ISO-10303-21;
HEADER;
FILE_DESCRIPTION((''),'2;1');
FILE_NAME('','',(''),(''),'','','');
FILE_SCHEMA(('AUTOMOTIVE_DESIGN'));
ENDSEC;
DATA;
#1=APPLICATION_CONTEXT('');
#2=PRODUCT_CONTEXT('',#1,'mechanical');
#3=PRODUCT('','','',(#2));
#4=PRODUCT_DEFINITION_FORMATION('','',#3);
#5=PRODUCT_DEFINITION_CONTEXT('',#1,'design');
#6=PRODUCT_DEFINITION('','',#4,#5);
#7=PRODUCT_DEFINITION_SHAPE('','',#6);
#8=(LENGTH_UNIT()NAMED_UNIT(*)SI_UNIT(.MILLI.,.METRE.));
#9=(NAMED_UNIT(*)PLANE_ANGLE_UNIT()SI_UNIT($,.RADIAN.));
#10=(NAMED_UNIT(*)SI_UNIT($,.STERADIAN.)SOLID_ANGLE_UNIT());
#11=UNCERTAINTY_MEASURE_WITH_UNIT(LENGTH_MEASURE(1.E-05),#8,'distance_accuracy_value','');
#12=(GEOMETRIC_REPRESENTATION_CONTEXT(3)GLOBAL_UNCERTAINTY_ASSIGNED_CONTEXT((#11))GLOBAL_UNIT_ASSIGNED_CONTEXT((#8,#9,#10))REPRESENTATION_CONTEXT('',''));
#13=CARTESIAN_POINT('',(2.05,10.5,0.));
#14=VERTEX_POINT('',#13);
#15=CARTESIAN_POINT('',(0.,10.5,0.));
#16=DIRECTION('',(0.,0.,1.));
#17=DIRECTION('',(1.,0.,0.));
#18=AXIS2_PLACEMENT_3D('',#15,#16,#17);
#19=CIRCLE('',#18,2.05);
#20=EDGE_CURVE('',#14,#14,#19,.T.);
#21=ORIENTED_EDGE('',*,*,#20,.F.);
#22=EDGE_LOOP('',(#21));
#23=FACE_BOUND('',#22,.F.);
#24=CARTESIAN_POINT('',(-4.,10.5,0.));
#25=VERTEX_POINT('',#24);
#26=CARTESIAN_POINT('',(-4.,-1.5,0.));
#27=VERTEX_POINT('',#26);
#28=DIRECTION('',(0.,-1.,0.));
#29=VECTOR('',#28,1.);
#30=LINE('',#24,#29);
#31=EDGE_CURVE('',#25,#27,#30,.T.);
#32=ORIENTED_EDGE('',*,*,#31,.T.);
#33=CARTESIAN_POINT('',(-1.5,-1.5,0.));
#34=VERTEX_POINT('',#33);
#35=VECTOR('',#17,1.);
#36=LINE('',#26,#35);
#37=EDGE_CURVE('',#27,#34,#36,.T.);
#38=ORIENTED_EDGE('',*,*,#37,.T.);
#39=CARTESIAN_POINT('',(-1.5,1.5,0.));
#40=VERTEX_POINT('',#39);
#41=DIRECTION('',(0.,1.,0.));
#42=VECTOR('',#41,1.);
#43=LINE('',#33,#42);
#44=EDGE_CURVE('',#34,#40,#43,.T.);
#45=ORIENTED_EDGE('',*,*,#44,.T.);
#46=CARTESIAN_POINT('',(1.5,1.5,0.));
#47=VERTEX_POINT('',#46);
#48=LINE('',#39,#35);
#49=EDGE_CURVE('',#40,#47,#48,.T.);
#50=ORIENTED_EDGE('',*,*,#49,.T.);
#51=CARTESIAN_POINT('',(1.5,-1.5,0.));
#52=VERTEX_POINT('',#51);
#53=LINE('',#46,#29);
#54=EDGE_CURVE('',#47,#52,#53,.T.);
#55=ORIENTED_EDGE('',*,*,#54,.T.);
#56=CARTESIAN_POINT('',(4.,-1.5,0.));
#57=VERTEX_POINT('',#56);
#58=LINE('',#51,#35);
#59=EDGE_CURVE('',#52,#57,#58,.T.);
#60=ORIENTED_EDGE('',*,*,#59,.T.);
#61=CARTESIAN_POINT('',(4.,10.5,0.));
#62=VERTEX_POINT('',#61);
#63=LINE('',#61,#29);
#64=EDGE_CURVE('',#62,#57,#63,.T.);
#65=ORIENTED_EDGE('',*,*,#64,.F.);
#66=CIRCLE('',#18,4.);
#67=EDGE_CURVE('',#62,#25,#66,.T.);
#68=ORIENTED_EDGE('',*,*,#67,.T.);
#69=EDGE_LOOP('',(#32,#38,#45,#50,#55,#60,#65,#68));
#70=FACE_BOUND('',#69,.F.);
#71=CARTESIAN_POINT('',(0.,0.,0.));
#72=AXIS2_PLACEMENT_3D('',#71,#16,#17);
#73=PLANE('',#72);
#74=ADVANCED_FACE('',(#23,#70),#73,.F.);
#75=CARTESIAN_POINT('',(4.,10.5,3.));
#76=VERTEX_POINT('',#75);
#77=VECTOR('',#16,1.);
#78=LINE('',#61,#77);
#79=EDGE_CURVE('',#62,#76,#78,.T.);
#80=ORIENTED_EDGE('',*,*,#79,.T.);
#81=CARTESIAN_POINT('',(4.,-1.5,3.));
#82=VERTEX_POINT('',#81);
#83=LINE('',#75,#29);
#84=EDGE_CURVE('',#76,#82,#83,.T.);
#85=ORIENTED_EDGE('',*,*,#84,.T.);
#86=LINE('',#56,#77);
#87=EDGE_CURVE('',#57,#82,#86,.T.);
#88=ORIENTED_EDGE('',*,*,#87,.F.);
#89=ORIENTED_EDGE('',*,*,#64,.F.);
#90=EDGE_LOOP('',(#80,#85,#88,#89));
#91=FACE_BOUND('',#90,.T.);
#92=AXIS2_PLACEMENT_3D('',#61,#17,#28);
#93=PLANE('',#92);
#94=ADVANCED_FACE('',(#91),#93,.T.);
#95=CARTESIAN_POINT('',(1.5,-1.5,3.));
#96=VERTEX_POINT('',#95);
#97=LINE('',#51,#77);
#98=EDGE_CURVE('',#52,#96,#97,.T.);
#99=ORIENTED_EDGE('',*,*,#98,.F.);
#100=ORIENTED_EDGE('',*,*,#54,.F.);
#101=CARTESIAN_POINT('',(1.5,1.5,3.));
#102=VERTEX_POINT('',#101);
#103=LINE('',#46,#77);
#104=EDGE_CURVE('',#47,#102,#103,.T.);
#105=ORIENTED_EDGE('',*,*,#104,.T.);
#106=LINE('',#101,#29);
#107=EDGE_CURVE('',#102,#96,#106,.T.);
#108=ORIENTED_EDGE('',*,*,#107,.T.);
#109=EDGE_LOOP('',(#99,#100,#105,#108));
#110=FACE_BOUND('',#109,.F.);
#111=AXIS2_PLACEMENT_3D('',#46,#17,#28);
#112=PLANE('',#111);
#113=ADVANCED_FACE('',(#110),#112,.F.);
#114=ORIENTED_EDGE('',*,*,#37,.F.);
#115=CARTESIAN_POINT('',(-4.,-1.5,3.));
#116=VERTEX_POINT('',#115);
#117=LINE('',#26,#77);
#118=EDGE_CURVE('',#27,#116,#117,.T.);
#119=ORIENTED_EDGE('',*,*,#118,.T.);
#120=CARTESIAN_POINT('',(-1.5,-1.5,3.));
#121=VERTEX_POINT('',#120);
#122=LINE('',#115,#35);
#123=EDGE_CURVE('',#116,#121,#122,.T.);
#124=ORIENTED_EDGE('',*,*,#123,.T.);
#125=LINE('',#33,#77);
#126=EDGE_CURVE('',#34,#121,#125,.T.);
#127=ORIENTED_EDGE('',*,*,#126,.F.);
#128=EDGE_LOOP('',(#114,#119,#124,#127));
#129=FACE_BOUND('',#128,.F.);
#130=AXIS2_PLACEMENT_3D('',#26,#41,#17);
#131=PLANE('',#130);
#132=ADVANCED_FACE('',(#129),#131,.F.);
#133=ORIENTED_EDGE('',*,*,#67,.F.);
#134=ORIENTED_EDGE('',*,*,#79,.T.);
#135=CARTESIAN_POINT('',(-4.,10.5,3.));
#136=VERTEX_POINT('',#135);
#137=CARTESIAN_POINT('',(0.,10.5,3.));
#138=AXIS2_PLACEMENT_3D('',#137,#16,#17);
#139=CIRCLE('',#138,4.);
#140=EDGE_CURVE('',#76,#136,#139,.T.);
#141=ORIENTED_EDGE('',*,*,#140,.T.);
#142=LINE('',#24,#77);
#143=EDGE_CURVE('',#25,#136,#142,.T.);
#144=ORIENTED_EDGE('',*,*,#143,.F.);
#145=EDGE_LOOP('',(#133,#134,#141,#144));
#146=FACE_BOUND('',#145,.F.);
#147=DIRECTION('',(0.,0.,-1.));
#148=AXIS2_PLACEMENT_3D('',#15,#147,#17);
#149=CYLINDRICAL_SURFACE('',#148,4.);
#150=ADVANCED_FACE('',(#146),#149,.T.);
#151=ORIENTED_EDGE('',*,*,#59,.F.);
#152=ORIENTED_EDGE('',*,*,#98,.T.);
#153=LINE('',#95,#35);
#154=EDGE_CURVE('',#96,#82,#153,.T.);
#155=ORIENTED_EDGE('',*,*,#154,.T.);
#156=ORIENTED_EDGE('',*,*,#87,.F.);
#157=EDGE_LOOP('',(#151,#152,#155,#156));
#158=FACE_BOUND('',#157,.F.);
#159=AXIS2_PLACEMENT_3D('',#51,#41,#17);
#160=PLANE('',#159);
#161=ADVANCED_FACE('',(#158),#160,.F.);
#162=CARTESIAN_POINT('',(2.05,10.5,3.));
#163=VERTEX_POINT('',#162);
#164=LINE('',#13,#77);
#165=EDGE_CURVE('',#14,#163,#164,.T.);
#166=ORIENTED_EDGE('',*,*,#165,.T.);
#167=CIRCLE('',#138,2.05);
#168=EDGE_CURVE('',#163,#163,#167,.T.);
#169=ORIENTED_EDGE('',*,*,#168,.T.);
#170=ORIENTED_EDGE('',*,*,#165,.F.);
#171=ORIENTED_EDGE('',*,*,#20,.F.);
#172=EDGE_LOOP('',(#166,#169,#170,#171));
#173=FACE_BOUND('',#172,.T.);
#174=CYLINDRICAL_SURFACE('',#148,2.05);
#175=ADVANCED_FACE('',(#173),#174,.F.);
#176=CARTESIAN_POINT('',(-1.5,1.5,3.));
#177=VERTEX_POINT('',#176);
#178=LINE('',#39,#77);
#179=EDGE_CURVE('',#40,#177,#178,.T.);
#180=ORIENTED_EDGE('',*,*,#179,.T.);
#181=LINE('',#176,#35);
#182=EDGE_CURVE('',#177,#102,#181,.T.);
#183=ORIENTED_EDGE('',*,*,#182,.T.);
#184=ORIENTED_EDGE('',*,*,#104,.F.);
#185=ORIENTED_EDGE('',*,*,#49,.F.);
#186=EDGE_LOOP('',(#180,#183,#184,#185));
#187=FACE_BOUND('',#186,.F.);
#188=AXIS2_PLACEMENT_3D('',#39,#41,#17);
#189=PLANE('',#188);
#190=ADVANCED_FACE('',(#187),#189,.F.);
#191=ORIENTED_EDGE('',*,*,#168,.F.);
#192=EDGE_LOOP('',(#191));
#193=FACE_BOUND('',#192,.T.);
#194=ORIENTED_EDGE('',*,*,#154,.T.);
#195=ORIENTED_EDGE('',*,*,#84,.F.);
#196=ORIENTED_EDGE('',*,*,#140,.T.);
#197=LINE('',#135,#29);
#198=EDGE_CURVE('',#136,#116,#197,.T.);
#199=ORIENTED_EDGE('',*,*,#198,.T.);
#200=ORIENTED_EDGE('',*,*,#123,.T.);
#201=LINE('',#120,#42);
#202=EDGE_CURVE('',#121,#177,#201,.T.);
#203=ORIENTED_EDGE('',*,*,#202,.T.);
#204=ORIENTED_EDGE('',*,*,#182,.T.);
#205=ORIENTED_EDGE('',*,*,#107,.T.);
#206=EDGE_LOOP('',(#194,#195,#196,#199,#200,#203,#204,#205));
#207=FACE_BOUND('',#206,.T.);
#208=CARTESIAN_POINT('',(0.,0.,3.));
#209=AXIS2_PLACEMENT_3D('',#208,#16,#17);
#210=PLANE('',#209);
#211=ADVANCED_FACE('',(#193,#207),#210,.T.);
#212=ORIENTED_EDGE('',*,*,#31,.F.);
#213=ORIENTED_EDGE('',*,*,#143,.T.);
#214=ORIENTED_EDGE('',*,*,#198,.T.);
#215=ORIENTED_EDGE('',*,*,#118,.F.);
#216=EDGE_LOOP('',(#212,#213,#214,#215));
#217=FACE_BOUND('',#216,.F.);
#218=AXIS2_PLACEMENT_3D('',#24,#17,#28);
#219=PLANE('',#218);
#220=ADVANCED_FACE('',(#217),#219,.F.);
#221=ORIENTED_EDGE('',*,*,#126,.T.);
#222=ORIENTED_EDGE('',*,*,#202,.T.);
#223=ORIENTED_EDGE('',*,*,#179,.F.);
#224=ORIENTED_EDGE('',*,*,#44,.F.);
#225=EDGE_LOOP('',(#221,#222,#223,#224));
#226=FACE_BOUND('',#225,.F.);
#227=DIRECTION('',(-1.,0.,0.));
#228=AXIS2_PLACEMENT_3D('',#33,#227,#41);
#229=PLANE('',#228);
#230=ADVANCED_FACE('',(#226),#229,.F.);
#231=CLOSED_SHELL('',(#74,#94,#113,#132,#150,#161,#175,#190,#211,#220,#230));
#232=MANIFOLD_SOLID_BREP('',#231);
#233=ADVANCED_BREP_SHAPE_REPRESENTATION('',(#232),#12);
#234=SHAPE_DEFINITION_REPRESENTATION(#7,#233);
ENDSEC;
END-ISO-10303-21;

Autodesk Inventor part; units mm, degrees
ref_plane "YZ Plane" through (0, 0, 0) normal (1, 0, 0) x (0, 1, 0)
ref_plane "XZ Plane" through (0, 0, 0) normal (0, 1, 0) x (-1, 0, 0)
ref_plane "XY Plane" through (0, 0, 0) normal (0, 0, 1) x (1, 0, 0)
sketch "Sketch1" plane through (0, 0, 0) normal (0, 0, 1) x (1, 0, 0)
  line L0 (-1.5, -1.5) -> (-1.5, 1.5)
  line L1 (-1.5, 1.5) -> (1.5, 1.5)
  line L2 (1.5, 1.5) -> (1.5, -1.5)
  circle A0 centre (0, 10.5) radius 2.05
  line L3 (-1.5, -1.5) -> (1.5, 1.5) construction
  line L4 (1.5, -1.5) -> (-1.5, 1.5) construction
  circle A1 centre (0, 10.5) radius 4 construction
  arc A2 (4, 10.5) -> (-4, 10.5) centre (0, 10.5) ccw
  line L5 (-4, 10.5) -> (-4, -1.5)
  line L6 (4, 10.5) -> (4, -1.5)
  line L7 (-4, -1.5) -> (-1.5, -1.5)
  line L8 (1.5, -1.5) -> (4, -1.5)
  point P0 (0, 0)
  point P1 (0, 0)
  point P2 (0, 0)
  dimension "d0" = 4.1
  dimension "d1" = 3
  dimension "d3" = 3
  dimension "d4" = 3
  dimension "d5" = 12
  dimension "d6" = 8
extrude "Extrusion1" add sketch "Sketch1" along normal blind 3
properties part number "top_holder"
